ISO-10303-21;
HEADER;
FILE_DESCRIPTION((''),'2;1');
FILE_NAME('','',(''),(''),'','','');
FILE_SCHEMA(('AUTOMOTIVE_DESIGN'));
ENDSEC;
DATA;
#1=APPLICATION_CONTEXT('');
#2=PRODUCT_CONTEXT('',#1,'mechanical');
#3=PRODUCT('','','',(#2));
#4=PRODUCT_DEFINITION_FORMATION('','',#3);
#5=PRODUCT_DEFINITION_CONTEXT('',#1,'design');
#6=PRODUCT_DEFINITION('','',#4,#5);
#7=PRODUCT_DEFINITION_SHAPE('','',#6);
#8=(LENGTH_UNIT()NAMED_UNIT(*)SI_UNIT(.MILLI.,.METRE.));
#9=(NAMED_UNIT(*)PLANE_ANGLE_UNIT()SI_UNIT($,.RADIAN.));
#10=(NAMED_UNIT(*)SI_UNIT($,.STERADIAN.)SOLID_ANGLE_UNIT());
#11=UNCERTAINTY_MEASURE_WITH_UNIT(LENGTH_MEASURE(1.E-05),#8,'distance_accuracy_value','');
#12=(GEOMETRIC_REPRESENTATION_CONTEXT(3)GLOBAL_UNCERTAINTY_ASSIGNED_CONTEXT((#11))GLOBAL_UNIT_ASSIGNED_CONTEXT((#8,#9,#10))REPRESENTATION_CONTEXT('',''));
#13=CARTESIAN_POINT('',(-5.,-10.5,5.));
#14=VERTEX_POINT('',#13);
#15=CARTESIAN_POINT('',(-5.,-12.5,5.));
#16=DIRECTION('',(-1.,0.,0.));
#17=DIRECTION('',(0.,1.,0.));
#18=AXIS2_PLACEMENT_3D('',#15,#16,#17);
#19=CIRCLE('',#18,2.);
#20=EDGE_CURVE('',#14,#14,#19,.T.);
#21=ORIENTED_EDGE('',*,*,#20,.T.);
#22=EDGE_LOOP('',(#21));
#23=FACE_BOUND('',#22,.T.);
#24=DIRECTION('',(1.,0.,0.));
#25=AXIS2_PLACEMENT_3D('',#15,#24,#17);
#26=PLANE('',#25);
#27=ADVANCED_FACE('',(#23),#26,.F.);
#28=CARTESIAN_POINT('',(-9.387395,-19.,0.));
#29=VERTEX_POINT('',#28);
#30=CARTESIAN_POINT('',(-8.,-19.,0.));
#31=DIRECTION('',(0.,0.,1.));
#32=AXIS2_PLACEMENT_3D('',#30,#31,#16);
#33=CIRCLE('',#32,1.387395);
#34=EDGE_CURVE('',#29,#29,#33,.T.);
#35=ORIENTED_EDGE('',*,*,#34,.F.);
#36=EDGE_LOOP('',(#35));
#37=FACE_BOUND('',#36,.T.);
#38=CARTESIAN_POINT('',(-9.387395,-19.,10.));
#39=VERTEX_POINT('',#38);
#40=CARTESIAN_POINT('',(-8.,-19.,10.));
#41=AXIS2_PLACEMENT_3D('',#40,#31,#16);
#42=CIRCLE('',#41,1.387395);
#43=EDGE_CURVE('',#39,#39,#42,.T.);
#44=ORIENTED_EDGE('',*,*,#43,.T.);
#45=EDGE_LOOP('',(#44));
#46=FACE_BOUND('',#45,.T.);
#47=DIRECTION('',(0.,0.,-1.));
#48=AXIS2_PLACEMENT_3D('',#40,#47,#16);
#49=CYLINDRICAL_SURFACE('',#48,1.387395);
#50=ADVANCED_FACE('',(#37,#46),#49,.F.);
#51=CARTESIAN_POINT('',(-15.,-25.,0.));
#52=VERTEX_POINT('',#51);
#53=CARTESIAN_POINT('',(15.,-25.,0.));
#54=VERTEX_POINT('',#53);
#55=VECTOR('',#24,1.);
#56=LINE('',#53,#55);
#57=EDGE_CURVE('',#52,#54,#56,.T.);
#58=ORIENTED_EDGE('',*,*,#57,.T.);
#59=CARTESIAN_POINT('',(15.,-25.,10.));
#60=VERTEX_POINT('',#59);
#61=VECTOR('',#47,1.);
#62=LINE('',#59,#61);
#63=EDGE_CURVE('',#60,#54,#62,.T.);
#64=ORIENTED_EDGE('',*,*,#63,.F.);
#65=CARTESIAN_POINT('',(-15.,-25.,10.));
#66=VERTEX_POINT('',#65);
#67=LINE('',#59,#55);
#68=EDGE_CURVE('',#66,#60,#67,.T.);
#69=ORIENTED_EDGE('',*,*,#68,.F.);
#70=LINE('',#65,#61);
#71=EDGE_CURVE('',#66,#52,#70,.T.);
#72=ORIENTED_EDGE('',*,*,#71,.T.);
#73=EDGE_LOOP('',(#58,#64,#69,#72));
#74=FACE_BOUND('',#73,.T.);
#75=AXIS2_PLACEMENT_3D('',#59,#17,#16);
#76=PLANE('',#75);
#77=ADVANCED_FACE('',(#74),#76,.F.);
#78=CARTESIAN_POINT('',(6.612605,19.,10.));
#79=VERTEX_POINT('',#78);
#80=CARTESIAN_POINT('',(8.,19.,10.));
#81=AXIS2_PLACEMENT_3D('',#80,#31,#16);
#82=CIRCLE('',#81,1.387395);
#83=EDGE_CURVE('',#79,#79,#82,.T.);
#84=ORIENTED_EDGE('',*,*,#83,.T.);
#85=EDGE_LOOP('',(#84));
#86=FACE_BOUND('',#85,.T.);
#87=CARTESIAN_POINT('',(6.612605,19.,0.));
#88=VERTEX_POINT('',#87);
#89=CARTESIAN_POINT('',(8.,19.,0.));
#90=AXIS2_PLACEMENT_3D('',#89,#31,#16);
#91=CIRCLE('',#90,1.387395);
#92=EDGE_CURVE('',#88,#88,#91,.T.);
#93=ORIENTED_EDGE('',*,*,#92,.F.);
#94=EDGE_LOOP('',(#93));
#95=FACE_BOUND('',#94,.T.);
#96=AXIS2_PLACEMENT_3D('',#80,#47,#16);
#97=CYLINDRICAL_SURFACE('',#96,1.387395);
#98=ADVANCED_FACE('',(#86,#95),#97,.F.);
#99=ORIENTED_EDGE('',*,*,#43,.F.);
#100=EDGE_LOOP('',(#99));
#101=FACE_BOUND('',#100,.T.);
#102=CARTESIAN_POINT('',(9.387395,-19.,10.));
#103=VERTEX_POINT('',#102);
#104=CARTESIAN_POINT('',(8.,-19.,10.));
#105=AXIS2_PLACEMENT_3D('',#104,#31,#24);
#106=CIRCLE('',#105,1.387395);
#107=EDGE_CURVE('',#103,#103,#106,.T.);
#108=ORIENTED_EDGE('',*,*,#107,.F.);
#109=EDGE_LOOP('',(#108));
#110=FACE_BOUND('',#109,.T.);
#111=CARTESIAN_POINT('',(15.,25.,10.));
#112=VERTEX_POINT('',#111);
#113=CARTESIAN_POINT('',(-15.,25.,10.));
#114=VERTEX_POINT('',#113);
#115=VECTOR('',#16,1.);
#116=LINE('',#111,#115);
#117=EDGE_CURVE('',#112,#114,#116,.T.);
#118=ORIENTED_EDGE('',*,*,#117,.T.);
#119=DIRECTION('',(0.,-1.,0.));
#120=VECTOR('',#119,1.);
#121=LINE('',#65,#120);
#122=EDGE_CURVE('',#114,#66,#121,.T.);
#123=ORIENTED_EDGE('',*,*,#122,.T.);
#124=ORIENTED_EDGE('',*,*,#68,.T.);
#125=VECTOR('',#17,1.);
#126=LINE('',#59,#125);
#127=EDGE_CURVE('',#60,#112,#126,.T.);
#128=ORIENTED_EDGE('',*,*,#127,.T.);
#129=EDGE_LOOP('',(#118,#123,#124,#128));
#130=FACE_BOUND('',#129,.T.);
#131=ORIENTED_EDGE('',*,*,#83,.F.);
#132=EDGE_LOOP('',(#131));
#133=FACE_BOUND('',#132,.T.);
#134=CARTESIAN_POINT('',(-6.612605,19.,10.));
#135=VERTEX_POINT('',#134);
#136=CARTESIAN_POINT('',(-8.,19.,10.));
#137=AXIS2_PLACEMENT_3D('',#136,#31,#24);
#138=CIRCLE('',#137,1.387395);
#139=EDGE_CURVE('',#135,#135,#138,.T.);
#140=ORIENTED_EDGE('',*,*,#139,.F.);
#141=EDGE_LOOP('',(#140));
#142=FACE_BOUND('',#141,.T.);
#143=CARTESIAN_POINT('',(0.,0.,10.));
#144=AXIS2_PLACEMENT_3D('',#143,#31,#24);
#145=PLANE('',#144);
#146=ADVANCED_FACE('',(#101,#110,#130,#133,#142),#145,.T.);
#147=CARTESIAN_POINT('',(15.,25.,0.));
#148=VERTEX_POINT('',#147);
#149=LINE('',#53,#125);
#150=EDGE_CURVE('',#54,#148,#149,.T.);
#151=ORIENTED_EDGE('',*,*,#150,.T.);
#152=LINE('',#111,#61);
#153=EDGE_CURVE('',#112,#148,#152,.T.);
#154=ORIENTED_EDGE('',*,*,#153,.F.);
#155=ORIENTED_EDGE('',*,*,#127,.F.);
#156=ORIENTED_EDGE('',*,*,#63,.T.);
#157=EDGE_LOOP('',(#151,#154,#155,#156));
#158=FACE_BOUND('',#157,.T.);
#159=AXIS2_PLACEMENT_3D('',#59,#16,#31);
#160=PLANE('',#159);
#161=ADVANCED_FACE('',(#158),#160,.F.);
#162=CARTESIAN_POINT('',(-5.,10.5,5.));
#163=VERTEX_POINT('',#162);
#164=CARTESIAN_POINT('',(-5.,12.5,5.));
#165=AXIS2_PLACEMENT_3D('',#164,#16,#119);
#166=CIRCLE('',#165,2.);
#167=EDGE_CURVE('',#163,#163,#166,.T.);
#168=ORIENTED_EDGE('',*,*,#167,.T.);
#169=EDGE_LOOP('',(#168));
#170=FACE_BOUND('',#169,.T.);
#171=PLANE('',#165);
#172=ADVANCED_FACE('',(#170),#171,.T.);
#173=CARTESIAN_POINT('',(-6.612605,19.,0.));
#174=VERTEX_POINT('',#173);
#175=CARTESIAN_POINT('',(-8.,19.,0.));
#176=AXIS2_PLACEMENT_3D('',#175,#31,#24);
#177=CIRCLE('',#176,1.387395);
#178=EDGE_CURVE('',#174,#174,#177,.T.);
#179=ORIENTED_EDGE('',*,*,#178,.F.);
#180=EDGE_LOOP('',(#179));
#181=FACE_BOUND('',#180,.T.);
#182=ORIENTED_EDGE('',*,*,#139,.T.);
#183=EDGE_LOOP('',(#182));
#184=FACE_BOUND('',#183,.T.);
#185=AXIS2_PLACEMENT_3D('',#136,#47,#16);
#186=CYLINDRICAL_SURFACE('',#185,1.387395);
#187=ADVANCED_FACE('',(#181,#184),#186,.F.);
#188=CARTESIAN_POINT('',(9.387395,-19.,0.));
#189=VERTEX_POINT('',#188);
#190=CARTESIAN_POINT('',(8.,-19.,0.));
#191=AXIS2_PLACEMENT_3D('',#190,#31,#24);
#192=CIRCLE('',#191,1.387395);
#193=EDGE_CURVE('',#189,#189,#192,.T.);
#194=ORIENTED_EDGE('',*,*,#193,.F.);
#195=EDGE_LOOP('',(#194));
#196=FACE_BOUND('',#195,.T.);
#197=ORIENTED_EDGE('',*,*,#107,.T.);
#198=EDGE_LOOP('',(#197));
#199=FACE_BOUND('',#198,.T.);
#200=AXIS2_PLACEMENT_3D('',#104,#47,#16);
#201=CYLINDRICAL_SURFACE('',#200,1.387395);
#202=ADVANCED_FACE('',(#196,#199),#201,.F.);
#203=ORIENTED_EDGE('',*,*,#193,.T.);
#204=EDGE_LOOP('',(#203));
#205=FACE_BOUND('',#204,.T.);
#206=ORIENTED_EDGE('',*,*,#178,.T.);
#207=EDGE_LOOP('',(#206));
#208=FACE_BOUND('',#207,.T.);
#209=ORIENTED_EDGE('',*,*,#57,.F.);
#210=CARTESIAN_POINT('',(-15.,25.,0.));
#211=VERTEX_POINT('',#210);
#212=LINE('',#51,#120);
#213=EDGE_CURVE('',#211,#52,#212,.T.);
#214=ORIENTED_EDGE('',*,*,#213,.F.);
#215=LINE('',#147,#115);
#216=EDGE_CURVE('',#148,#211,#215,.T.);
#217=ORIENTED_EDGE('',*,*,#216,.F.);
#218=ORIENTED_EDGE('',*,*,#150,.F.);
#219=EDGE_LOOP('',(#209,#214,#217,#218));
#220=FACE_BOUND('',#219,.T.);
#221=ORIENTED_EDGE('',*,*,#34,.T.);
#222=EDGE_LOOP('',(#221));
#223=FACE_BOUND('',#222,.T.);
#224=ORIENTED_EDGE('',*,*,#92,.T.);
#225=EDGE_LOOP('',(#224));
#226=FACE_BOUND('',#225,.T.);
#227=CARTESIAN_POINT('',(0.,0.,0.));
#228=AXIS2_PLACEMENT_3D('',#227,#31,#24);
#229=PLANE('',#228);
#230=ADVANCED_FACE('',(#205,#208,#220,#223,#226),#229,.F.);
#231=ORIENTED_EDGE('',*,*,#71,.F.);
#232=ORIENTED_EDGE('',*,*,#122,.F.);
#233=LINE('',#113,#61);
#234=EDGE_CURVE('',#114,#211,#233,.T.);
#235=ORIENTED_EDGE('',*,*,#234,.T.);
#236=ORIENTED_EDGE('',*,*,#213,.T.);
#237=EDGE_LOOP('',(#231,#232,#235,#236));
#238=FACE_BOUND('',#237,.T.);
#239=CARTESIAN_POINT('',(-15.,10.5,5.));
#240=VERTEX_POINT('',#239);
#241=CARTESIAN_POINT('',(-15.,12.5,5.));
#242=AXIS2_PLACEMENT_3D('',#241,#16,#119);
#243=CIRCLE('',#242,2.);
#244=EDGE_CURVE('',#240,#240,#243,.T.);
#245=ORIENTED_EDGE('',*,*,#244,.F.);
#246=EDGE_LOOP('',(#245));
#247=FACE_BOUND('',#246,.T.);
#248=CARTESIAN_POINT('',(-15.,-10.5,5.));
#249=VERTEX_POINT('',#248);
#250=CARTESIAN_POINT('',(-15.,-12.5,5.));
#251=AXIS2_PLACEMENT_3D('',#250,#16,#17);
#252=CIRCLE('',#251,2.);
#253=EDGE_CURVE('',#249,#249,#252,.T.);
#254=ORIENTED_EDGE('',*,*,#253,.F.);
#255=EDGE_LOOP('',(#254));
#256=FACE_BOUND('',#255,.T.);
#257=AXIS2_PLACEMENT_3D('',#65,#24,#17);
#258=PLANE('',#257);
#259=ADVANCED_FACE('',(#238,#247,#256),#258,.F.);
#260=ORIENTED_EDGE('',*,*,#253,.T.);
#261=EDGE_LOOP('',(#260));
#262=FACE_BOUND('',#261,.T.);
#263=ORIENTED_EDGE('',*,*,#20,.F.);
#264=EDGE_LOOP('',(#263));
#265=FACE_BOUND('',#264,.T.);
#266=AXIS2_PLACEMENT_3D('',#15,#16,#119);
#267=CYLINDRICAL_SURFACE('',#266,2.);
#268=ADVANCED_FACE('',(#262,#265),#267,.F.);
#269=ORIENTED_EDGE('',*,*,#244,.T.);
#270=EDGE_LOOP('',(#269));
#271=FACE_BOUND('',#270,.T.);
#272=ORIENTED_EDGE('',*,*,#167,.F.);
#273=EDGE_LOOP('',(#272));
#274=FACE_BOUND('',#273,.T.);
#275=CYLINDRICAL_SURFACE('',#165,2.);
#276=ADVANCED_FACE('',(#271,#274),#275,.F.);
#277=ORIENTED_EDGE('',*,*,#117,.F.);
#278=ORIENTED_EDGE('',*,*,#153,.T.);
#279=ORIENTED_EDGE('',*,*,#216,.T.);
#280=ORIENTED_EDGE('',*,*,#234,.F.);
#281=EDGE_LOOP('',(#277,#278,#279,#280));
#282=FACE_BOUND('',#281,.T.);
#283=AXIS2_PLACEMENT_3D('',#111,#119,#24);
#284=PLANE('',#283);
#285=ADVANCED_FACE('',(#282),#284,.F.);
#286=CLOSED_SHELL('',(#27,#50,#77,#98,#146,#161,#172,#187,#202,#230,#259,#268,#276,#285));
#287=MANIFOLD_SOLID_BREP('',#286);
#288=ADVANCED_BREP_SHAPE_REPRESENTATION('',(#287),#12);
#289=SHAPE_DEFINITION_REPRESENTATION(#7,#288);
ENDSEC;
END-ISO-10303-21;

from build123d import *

# Parameters (mm, degrees)
SKETCH1_W           = 30
SKETCH1_H           = 50
SKETCH1_R           = 1.387394958
BOSS_EXTRUDE1_DEPTH = 10
SKETCH3_R           = 2
CUT_EXTRUDE1_DEPTH  = 10


with BuildPart() as part:
    # Sketch1 → Boss-Extrude1 (new body)
    with BuildSketch(Plane.XY):
        Rectangle(SKETCH1_W, SKETCH1_H)
        with Locations((-8, 19)):
            Circle(SKETCH1_R, mode=Mode.SUBTRACT)
        with Locations(Location((8, 19, 0), (0, 0, 180))):
            Circle(SKETCH1_R, mode=Mode.SUBTRACT)
        with Locations((8, -19)):
            Circle(SKETCH1_R, mode=Mode.SUBTRACT)
        with Locations(Location((-8, -19, 0), (0, 0, 180))):
            Circle(SKETCH1_R, mode=Mode.SUBTRACT)
    extrude(amount=BOSS_EXTRUDE1_DEPTH)

    # Sketch3 → Cut-Extrude1 (cut)
    with BuildSketch(Plane.ZY.offset(15)):
        with Locations(Location((5, 12.5, 0), (0, 0, 270))):
            Circle(SKETCH3_R)
        with Locations(Location((5, -12.5, 0), (0, 0, 90))):
            Circle(SKETCH3_R)
    extrude(amount=-CUT_EXTRUDE1_DEPTH, mode=Mode.SUBTRACT)


solid = part.part
